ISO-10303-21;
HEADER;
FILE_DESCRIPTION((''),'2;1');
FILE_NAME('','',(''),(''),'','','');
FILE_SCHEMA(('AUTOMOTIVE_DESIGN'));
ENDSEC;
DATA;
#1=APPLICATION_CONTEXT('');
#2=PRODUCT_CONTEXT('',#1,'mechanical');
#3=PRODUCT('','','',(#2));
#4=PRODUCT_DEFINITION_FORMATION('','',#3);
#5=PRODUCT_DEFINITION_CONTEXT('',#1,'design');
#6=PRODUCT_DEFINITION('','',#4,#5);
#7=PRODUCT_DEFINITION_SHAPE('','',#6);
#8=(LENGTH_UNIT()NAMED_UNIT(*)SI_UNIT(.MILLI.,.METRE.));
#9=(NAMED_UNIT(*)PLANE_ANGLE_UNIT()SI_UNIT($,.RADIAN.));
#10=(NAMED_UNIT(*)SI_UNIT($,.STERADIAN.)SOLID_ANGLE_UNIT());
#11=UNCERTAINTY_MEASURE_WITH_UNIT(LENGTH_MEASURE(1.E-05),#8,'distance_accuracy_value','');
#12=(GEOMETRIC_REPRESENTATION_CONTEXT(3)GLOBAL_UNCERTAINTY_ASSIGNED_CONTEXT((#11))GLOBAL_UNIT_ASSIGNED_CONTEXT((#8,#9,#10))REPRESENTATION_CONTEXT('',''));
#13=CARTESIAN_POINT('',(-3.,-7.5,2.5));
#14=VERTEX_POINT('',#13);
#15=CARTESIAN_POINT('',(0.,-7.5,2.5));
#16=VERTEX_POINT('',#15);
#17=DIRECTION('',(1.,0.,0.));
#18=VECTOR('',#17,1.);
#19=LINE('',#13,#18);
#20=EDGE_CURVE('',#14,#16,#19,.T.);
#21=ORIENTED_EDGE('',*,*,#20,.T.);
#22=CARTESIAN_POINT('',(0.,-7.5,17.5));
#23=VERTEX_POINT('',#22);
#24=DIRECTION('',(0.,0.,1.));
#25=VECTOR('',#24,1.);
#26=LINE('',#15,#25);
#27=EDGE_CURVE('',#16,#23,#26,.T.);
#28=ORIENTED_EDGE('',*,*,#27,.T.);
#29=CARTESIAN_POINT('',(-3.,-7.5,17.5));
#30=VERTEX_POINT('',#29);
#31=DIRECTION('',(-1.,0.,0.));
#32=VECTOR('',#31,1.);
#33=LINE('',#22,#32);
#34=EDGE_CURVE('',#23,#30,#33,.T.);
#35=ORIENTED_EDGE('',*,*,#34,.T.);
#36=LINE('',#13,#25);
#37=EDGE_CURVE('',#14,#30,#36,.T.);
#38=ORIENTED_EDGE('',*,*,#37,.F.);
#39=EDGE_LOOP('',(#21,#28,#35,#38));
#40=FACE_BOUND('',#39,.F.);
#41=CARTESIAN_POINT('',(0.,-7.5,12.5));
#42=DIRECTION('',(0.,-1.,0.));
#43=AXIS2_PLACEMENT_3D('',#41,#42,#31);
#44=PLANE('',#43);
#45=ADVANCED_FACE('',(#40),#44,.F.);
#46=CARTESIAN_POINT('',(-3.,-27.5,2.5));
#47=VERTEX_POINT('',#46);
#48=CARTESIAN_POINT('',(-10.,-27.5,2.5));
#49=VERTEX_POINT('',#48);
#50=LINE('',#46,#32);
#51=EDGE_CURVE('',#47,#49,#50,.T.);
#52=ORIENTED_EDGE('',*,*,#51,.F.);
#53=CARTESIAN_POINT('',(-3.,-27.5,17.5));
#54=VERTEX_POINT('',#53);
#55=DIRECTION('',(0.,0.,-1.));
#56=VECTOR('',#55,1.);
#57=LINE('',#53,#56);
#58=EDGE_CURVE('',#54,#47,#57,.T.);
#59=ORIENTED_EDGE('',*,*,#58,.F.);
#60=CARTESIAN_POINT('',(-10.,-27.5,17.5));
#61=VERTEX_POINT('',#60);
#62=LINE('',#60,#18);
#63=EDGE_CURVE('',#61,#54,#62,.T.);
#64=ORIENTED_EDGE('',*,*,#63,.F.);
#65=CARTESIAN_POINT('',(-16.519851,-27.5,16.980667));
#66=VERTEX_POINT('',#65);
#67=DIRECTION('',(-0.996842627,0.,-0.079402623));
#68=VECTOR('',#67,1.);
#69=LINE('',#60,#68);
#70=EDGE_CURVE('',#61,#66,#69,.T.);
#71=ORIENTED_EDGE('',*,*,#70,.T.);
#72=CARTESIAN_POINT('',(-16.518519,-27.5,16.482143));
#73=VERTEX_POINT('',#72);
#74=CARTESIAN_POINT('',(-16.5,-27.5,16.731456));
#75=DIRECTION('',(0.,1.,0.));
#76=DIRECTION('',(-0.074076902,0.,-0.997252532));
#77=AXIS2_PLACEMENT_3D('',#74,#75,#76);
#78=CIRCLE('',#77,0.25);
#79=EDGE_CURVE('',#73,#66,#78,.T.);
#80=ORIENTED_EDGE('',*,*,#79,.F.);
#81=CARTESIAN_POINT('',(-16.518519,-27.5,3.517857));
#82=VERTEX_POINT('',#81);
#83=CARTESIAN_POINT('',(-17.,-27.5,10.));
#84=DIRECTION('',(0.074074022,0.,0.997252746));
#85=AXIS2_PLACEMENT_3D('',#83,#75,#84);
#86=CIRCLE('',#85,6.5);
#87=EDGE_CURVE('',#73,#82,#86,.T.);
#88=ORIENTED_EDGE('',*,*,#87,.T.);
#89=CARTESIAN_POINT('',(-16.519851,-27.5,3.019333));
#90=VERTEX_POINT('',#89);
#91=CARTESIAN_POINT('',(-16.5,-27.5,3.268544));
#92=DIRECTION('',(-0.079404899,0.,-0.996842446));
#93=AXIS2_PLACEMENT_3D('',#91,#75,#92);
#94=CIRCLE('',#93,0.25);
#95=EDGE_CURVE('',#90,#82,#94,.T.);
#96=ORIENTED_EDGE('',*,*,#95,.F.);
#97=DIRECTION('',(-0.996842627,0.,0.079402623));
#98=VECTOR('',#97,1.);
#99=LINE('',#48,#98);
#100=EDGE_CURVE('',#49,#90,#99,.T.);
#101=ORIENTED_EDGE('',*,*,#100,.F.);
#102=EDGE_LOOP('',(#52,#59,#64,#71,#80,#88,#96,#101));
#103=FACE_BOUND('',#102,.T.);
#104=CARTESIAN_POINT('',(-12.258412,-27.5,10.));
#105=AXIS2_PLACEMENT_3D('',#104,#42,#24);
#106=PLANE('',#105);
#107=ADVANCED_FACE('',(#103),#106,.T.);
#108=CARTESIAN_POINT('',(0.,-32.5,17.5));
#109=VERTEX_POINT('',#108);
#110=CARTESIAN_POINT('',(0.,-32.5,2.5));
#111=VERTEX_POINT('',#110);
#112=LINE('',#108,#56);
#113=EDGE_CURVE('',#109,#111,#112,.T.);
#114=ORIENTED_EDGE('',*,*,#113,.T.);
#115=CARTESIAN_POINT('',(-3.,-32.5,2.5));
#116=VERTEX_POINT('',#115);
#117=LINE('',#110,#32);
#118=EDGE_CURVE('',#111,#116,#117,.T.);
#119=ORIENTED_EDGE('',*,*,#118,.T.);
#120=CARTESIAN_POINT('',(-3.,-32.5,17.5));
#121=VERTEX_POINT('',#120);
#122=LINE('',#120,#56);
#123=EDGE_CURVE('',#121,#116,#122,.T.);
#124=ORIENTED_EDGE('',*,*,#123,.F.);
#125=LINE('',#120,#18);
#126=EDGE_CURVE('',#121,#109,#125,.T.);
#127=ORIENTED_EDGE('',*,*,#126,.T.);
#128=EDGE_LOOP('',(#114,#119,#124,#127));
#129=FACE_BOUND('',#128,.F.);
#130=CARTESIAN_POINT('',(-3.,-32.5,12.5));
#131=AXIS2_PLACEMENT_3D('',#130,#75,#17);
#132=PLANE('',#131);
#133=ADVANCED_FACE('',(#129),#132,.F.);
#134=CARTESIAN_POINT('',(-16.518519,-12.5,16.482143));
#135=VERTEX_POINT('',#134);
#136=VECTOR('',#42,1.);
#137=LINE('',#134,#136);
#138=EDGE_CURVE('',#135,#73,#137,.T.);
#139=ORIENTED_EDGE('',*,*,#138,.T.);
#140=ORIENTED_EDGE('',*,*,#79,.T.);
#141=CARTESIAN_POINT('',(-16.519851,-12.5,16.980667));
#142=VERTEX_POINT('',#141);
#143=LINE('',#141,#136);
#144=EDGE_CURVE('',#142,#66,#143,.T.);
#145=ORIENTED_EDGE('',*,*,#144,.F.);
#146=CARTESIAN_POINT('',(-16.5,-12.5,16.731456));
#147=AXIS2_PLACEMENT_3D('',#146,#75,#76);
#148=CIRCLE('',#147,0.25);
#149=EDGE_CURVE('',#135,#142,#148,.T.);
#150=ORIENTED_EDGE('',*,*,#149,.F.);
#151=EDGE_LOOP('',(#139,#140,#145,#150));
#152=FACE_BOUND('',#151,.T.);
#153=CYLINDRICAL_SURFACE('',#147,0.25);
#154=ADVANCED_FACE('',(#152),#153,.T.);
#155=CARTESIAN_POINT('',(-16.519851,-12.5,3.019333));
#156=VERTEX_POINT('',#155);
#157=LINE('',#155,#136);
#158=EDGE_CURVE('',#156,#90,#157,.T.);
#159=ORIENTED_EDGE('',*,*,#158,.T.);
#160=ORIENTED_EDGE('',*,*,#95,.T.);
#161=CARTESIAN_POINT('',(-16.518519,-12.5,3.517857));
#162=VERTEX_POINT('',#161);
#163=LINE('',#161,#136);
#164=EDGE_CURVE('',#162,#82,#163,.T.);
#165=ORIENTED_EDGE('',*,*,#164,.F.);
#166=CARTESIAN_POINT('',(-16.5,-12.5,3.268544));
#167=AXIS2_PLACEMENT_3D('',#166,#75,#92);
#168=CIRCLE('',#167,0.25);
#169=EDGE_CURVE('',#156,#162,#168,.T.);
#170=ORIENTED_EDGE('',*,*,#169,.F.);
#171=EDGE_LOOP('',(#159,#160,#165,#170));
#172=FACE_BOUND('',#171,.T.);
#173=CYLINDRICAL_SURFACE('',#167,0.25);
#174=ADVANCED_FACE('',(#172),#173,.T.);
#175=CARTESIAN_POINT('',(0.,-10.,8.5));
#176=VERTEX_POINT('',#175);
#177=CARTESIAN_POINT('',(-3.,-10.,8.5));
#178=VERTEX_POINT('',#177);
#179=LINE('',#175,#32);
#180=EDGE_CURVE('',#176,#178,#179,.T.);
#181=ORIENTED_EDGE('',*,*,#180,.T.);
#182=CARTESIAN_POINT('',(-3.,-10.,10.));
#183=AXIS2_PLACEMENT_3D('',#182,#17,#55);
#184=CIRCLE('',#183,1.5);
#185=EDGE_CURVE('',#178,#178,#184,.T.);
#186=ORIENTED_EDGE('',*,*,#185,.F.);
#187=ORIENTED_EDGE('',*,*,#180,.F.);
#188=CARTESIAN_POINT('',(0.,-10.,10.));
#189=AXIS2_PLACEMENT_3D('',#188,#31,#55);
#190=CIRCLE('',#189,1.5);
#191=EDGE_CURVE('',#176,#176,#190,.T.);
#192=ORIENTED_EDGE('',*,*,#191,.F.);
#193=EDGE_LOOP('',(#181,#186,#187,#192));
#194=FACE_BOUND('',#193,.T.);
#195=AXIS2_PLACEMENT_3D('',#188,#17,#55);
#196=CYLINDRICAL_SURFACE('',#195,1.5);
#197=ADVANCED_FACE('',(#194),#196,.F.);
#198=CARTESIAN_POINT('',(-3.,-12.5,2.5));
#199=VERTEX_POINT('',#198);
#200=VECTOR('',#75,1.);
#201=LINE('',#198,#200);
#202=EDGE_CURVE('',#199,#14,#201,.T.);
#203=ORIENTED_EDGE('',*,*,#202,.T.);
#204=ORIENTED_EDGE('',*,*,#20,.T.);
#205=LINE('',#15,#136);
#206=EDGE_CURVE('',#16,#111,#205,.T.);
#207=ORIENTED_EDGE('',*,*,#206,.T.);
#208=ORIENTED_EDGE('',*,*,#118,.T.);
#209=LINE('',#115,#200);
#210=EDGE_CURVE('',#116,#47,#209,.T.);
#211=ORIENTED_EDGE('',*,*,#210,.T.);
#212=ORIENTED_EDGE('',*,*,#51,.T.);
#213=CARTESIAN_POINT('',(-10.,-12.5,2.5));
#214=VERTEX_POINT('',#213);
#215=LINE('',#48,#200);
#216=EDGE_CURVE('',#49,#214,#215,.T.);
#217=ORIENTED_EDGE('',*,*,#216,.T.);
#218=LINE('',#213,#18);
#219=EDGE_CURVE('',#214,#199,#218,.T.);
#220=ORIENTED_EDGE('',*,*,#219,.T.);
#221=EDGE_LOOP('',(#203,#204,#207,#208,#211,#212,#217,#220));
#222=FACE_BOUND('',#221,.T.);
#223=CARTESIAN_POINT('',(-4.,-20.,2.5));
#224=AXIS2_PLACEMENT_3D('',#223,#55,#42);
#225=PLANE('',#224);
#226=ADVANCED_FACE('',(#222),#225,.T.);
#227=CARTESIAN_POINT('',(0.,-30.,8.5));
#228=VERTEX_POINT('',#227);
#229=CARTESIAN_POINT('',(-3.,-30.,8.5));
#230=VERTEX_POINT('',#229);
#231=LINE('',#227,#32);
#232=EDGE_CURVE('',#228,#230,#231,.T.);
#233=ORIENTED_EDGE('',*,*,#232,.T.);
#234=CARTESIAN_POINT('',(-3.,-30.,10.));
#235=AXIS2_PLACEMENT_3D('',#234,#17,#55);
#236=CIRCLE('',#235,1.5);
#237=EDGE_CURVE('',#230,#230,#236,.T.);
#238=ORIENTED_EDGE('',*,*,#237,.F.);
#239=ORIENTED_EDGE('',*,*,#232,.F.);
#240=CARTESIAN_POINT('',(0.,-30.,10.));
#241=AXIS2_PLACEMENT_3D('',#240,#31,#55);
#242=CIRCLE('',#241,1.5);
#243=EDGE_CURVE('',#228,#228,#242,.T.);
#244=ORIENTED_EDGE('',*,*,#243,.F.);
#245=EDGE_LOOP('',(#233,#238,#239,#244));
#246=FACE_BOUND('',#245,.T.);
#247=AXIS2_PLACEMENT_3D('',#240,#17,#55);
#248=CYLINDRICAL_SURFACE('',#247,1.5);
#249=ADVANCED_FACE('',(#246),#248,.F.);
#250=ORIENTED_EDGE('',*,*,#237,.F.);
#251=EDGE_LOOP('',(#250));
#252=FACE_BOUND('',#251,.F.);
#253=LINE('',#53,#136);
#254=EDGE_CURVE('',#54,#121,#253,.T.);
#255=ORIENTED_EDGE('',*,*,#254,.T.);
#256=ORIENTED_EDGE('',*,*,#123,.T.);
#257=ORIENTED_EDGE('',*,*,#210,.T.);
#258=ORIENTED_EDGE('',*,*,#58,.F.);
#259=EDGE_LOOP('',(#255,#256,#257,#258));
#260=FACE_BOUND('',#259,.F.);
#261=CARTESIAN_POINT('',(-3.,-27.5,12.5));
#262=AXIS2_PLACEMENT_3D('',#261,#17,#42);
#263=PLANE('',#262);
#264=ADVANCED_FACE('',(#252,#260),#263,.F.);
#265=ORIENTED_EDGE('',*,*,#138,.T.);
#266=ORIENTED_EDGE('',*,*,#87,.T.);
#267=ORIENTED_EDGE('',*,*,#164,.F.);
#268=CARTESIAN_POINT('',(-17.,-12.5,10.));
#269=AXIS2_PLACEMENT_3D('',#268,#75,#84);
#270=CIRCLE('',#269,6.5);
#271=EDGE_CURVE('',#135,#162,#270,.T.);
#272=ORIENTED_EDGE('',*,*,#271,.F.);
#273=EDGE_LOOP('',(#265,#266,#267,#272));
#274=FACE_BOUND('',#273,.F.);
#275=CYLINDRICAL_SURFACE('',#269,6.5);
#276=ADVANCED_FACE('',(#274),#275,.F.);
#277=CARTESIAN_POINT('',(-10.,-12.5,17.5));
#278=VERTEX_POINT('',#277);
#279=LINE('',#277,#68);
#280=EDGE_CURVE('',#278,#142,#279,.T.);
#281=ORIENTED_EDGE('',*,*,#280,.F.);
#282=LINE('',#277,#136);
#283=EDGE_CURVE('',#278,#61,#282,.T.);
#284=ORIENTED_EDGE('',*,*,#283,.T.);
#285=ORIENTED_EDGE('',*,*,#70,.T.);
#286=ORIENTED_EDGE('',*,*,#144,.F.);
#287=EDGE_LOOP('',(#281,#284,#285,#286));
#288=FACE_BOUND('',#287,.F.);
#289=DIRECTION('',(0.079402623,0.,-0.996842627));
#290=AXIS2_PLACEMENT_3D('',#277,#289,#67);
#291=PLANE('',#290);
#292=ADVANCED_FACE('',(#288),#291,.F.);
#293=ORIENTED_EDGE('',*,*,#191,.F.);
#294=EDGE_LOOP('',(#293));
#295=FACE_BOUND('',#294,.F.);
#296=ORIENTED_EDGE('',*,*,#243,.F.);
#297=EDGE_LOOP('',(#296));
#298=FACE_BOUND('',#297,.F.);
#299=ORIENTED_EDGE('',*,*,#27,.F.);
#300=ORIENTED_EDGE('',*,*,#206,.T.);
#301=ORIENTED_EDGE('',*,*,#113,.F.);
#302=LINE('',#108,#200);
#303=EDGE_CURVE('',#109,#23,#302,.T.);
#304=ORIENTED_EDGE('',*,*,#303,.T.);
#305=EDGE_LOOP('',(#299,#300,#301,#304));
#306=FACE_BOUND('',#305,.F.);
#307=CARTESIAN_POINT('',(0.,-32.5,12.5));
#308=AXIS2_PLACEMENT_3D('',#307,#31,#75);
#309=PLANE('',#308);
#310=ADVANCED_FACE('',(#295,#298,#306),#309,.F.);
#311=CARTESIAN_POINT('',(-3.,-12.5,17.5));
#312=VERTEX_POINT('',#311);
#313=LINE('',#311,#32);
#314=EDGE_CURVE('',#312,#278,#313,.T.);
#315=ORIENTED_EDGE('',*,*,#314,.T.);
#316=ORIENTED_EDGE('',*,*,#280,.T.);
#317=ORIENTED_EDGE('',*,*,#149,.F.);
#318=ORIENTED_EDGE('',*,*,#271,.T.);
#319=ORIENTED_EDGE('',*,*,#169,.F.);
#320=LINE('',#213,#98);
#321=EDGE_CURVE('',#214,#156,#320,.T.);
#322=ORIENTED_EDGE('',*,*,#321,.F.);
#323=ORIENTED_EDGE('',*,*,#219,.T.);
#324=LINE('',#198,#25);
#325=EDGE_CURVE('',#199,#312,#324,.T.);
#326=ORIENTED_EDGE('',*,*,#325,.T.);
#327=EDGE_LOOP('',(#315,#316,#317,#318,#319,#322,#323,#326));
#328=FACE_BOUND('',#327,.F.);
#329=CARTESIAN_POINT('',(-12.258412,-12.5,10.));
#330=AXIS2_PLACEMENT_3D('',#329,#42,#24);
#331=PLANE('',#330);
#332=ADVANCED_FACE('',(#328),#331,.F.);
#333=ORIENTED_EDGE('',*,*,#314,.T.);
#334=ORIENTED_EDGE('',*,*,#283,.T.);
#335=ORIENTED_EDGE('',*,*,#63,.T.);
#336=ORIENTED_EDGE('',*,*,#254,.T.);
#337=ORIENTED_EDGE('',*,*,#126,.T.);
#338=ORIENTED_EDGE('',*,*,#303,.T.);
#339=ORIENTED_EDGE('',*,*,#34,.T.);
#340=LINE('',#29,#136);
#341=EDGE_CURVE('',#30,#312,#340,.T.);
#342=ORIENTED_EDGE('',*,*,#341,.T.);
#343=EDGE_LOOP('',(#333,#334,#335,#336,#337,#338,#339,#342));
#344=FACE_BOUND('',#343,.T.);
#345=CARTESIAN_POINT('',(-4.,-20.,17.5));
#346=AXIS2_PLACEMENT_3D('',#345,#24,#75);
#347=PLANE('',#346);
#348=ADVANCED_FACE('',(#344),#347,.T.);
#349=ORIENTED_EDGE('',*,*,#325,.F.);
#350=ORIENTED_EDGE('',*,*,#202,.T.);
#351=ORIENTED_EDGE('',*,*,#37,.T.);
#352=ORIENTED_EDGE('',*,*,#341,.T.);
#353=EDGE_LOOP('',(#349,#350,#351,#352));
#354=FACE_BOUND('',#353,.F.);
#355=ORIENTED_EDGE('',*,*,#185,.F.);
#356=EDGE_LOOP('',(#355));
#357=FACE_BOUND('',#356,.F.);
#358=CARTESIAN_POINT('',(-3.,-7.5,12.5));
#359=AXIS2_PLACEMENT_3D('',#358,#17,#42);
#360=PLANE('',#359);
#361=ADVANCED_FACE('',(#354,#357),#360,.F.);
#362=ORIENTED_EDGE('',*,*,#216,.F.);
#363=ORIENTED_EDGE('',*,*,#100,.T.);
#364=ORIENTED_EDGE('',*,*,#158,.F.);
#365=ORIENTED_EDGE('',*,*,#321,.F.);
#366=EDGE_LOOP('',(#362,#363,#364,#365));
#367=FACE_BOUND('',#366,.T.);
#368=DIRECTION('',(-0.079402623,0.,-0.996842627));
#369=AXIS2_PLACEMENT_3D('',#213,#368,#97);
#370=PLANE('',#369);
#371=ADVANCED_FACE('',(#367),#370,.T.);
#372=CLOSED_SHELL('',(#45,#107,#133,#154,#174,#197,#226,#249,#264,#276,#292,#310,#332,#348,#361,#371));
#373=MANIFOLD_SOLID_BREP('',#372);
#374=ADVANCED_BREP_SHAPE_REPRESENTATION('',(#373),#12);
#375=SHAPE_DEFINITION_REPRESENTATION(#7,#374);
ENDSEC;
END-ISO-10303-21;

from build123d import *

# Parameters (mm, degrees)
SKETCH003_W     = 5
SKETCH003_H     = 25
SKETCH003_R     = 1.5
PAD001_DEPTH    = 10
SKETCH004_W     = 5
SKETCH004_H     = 5
POCKET002_DEPTH = 7
PAD009_DEPTH    = 5
PAD010_DEPTH    = 5
PAD011_DEPTH    = 15


with BuildPart() as part:
    # Sketch003 (on DatumPlane) → Pad001 (new body)
    with BuildSketch(Plane(origin=(0, 0, 0), x_dir=(0, 0, -1), z_dir=(-1, 0, 0))):
        with Locations((-10, 20)):
            Rectangle(SKETCH003_W, SKETCH003_H)
        with Locations((-10, 30)):
            Circle(SKETCH003_R, mode=Mode.SUBTRACT)
        with Locations((-10, 10)):
            Circle(SKETCH003_R, mode=Mode.SUBTRACT)
    extrude(amount=PAD001_DEPTH)

    # Sketch004 (on Face8 of Pad001) → Pocket002 (cut)
    with BuildSketch(Plane(origin=(-10, 0, 0), x_dir=(0, 0, -1), z_dir=(-1, 0, 0))):
        with Locations((-10, 30)):
            Rectangle(SKETCH004_W, SKETCH004_H)
        with Locations((-10, 10)):
            Rectangle(SKETCH004_W, SKETCH004_H)
    extrude(amount=-POCKET002_DEPTH, mode=Mode.SUBTRACT)

    # Pocket002 Face3 → Pad009 (add)
    with BuildSketch(Plane(origin=(-4.416667, -20, 7.5), x_dir=(0, -1, 0), z_dir=(0, 0, -1))):
        Polygon((-12.5, -4.416667), (12.5, -4.416667), (12.5, -1.416667), (7.5, -1.416667), (7.5, 5.583333), (-7.5, 5.583333), (-7.5, -1.416667), (-12.5, -1.416667), align=None)
    extrude(amount=PAD009_DEPTH)

    # Pad009 Face3 → Pad010 (add)
    with BuildSketch(Plane(origin=(-4.416667, -20, 12.5), x_dir=(0, 1, 0), z_dir=(0, 0, 1))):
        Polygon((-12.5, -4.416667), (12.5, -4.416667), (12.5, -1.416667), (7.5, -1.416667), (7.5, 5.583333), (-7.5, 5.583333), (-7.5, -1.416667), (-12.5, -1.416667), align=None)
    extrude(amount=PAD010_DEPTH)

    # Sketch020 (on Face11 of Pad010) → Pad011 (join)
    with BuildSketch(Plane(origin=(0, -12.5, 0), x_dir=(0, 0, -1), z_dir=(0, 1, 0))):
        with BuildLine():
            ThreePointArc((-16.482143, 16.518519), (-10, 10.5), (-3.517857, 16.518519))
            ThreePointArc((-3.019333, 16.519851), (-3.269212, 16.749999), (-3.517857, 16.518519))
            Line((-2.5, 10), (-3.019333, 16.519851))
            Line((-2.5, 10), (-10, 10))
            Line((-17.5, 10), (-10, 10))
            Line((-17.5, 10), (-16.980667, 16.519851))
            ThreePointArc((-16.482143, 16.518519), (-16.730788, 16.749999), (-16.980667, 16.519851))
        make_face()
    extrude(amount=-PAD011_DEPTH)


solid = part.part
